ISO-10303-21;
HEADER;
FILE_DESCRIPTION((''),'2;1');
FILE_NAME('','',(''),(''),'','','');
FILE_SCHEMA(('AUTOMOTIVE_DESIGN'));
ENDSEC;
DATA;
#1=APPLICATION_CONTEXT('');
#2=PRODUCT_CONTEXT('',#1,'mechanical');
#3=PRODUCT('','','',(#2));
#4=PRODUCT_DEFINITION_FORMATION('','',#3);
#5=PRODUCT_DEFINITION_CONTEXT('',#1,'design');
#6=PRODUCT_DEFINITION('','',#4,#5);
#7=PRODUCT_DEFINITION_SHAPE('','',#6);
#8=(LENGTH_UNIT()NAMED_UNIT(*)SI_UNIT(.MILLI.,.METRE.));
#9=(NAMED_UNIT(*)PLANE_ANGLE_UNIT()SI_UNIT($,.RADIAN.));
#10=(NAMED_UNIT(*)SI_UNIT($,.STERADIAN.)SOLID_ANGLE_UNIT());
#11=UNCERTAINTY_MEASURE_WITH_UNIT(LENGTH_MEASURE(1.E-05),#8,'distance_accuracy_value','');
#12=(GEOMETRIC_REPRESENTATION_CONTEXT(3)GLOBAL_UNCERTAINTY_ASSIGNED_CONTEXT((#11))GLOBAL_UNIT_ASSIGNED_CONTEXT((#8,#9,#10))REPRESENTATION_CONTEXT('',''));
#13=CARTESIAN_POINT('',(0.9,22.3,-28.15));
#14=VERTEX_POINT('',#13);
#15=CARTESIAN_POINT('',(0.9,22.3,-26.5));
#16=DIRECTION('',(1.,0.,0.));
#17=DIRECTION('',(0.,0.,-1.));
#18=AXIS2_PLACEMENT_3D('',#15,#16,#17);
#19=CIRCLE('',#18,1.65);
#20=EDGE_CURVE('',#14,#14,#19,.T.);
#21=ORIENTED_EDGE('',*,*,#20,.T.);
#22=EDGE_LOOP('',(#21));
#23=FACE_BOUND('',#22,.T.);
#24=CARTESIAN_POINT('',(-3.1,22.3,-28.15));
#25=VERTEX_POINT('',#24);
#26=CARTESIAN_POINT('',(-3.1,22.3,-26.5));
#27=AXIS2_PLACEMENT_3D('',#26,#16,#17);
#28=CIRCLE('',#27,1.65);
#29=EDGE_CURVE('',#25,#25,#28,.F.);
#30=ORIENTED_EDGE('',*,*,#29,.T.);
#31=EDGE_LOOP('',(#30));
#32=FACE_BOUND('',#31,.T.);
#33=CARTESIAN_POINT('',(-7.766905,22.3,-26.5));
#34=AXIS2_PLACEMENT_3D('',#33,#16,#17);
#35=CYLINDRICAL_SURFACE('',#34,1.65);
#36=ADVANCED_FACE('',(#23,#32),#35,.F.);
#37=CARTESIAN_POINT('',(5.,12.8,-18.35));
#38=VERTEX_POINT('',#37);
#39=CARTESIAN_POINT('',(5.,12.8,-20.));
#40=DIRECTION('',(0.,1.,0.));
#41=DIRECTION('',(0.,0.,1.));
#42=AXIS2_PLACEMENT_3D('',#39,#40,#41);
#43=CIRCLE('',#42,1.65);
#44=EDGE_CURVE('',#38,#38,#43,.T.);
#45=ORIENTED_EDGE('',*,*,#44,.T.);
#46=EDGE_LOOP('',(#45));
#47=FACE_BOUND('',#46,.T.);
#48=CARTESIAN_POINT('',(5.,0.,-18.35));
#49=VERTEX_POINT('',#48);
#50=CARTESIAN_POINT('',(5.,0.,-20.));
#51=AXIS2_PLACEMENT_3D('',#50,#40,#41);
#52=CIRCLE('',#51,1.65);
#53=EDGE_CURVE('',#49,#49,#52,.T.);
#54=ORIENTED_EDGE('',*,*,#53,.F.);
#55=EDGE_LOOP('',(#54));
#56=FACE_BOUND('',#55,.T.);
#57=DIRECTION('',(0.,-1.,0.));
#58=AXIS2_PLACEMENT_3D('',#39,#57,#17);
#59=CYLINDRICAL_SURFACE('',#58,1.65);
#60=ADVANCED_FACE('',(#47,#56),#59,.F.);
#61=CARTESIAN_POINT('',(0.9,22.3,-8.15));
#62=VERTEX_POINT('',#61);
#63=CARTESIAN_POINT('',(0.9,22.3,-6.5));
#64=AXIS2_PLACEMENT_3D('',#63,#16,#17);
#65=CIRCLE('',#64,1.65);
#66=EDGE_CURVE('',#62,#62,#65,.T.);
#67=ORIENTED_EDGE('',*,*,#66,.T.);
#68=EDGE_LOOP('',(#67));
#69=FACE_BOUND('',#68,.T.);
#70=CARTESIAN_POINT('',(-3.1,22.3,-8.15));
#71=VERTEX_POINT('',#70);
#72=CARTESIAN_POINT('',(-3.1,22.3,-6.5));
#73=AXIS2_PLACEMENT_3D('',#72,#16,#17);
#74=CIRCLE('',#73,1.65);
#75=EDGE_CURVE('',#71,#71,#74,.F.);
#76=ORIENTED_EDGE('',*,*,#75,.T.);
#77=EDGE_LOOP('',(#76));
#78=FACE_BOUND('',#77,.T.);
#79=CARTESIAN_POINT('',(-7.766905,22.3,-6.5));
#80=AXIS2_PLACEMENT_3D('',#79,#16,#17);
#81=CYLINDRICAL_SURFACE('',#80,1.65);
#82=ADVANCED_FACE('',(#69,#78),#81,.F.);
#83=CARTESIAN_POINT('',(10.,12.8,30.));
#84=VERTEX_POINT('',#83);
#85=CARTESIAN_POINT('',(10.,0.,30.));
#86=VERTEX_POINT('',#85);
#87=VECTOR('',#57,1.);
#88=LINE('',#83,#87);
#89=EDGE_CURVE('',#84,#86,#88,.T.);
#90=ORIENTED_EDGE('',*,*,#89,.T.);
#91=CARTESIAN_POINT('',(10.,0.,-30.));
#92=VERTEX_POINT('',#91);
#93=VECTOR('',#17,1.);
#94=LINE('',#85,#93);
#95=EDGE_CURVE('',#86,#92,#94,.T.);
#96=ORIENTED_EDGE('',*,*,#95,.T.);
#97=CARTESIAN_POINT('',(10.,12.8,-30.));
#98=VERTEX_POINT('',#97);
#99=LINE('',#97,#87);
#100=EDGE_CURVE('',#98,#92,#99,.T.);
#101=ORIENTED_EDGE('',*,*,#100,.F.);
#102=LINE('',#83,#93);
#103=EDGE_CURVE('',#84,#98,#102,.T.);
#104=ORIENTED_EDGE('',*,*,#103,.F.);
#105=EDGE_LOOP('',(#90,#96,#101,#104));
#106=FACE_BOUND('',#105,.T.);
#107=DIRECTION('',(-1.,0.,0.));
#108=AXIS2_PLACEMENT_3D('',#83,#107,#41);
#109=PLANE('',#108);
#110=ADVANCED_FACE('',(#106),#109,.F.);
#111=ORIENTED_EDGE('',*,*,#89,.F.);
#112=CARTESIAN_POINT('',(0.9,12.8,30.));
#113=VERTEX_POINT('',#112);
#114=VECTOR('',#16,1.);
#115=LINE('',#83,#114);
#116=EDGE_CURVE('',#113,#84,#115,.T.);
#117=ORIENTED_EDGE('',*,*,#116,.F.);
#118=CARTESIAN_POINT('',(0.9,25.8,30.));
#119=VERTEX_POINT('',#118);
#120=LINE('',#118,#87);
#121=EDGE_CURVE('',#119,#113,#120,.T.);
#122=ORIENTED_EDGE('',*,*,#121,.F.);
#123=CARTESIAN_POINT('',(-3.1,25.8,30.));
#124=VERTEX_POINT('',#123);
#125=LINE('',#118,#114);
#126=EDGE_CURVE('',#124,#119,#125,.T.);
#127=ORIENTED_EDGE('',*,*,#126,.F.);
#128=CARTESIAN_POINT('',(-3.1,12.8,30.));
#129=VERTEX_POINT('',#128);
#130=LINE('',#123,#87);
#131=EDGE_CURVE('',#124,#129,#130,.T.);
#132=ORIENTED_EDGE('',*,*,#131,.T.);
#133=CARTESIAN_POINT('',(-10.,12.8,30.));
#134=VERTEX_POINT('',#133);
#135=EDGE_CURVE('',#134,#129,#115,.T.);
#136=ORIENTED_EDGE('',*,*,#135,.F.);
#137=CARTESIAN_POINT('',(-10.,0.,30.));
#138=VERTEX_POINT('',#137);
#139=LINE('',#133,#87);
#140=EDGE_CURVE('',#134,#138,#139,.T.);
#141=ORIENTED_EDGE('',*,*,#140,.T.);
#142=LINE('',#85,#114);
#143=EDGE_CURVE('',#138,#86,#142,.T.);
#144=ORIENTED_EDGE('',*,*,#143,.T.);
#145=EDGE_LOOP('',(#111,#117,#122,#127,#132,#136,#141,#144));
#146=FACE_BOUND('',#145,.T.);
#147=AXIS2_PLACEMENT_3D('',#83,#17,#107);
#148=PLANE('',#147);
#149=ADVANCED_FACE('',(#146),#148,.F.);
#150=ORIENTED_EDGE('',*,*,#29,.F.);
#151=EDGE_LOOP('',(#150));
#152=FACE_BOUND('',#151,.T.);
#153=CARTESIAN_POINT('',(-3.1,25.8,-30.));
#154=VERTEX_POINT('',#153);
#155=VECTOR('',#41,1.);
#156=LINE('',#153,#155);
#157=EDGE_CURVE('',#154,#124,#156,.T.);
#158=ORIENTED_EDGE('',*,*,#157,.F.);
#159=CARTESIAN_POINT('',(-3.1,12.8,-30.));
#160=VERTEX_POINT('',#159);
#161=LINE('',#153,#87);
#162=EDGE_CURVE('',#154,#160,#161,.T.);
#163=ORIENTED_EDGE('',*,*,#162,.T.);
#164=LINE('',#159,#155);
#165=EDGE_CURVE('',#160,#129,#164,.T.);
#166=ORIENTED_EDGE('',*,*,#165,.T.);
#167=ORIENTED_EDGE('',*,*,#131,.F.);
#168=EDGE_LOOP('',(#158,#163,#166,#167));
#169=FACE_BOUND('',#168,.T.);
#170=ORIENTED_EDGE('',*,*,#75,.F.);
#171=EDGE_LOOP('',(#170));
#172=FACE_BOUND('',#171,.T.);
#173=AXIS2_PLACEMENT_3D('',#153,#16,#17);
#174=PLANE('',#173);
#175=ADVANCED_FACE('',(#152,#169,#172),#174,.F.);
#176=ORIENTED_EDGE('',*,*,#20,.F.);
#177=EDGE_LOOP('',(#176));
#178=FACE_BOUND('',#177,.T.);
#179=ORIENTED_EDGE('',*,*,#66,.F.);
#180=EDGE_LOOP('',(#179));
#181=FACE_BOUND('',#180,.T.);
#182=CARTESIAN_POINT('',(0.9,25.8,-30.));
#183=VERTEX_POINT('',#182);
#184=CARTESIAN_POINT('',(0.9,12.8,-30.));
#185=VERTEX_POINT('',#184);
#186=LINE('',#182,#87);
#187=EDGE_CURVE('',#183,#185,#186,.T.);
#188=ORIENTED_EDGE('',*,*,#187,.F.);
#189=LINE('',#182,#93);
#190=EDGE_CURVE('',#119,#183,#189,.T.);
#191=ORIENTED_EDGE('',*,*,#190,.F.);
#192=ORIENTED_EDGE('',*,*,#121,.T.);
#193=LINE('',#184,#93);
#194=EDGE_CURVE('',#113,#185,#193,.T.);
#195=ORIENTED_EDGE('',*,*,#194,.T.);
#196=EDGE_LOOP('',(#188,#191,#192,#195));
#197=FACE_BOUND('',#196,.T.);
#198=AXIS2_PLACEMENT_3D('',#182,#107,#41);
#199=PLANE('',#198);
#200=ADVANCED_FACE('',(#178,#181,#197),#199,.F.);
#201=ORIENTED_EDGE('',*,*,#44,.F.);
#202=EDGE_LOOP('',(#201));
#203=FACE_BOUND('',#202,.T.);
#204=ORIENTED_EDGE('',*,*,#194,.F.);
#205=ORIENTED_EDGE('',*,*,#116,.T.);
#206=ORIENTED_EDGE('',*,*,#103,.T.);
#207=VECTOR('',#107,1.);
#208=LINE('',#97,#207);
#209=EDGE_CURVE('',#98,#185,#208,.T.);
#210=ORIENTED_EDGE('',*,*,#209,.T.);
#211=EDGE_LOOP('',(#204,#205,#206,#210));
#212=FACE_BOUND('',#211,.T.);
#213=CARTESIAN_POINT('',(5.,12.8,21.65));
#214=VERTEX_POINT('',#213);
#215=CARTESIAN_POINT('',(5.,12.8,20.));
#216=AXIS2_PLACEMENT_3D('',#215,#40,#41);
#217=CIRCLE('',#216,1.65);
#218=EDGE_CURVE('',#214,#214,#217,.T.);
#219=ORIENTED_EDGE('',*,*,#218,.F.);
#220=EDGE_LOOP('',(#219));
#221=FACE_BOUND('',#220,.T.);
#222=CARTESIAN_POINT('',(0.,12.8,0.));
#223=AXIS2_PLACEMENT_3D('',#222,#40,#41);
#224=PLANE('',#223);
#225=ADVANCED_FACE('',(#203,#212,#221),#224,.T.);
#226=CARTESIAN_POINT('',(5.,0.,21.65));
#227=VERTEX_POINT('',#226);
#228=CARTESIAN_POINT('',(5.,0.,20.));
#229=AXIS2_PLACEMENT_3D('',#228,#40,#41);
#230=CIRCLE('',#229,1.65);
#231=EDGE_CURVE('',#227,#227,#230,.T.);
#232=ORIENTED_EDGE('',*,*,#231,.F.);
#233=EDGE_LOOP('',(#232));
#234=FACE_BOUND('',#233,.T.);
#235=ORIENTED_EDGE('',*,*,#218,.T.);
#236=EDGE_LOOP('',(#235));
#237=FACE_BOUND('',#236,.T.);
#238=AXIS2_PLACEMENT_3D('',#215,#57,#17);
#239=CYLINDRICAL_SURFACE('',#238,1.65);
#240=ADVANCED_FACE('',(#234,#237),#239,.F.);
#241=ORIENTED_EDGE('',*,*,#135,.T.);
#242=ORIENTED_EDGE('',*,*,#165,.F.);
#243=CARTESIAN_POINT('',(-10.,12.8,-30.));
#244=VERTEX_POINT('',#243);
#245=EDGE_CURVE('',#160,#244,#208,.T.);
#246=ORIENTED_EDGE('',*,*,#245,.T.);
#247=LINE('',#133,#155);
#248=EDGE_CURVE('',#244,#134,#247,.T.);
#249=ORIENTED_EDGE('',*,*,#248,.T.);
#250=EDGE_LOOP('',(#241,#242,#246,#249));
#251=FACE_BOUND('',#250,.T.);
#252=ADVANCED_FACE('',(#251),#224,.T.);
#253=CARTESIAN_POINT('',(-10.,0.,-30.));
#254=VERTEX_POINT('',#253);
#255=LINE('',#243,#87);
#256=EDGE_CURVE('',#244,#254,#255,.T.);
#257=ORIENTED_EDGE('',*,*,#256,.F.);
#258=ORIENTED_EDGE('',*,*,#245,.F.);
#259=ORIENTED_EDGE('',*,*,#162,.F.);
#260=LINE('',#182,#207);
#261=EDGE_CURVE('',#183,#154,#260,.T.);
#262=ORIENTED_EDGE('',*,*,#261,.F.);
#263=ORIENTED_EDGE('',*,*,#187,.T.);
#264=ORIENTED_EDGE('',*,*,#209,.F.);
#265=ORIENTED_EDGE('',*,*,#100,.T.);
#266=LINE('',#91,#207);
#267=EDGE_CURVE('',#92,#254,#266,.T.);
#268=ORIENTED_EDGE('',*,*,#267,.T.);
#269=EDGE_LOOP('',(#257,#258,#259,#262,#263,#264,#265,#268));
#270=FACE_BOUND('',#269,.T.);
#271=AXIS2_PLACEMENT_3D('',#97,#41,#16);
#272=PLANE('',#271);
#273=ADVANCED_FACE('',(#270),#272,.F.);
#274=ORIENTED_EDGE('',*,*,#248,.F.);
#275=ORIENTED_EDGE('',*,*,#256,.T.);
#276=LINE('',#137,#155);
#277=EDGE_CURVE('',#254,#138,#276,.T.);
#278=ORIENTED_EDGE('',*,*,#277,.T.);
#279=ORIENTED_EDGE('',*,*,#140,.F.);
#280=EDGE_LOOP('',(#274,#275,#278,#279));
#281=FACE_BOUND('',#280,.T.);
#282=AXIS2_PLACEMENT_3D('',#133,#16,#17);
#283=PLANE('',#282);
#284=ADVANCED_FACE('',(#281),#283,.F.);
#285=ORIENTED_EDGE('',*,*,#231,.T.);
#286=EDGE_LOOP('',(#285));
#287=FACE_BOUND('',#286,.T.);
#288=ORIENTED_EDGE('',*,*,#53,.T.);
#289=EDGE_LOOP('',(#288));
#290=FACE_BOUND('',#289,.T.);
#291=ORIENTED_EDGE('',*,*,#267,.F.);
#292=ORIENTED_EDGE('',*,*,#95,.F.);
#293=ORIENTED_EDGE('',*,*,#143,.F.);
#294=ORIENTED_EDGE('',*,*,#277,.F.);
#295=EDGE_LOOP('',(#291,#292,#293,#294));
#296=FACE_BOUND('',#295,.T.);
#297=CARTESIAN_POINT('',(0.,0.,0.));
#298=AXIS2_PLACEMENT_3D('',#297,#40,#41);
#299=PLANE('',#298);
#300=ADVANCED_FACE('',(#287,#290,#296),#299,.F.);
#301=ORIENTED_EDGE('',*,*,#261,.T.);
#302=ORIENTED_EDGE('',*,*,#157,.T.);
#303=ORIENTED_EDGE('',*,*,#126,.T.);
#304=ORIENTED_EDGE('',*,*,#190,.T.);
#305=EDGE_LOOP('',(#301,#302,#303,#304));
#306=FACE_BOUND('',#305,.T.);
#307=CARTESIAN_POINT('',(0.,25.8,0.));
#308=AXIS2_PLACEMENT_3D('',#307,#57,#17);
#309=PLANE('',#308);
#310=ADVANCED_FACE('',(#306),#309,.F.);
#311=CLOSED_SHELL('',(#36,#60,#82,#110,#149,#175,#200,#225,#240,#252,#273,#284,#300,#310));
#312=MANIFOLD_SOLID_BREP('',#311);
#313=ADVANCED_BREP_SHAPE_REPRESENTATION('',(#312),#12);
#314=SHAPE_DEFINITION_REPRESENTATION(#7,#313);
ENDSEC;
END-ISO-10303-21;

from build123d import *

# Parameters (mm, degrees)
SKETCH1_W           = 20
SKETCH1_H           = 60
SKETCH1_R           = 1.65
BOSS_EXTRUDE1_DEPTH = 12.8
SKETCH2_W           = 4
SKETCH2_H           = 60
BOSS_EXTRUDE3_DEPTH = 13
SKETCH3_R           = 1.65
CUT_EXTRUDE1_DEPTH  = 4


with BuildPart() as part:
    # Sketch1 → Boss-Extrude1 (new body)
    with BuildSketch(Plane(origin=(0, 0, 0), x_dir=(1, 0, 0), z_dir=(0, 1, 0))):
        Rectangle(SKETCH1_W, SKETCH1_H)
        with Locations(Location((5, 20, 0), (0, 0, 270))):
            Circle(SKETCH1_R, mode=Mode.SUBTRACT)
        with Locations(Location((5, -20, 0), (0, 0, 270))):
            Circle(SKETCH1_R, mode=Mode.SUBTRACT)
    extrude(amount=BOSS_EXTRUDE1_DEPTH)

    # Sketch2 → Boss-Extrude3 (add)
    with BuildSketch(Plane(origin=(0, 12.8, 0), x_dir=(1, 0, 0), z_dir=(0, 1, 0))):
        with Locations((-1.1, 0)):
            Rectangle(SKETCH2_W, SKETCH2_H)
    extrude(amount=BOSS_EXTRUDE3_DEPTH)

    # Sketch3 → Cut-Extrude1 (cut)
    with BuildSketch(Plane(origin=(0.9, 0, 0), x_dir=(0, 0, -1), z_dir=(1, 0, 0))):
        with Locations((6.5, 22.3)):
            Circle(SKETCH3_R)
        with Locations((26.5, 22.3)):
            Circle(SKETCH3_R)
    extrude(amount=-CUT_EXTRUDE1_DEPTH, mode=Mode.SUBTRACT)


solid = part.part
